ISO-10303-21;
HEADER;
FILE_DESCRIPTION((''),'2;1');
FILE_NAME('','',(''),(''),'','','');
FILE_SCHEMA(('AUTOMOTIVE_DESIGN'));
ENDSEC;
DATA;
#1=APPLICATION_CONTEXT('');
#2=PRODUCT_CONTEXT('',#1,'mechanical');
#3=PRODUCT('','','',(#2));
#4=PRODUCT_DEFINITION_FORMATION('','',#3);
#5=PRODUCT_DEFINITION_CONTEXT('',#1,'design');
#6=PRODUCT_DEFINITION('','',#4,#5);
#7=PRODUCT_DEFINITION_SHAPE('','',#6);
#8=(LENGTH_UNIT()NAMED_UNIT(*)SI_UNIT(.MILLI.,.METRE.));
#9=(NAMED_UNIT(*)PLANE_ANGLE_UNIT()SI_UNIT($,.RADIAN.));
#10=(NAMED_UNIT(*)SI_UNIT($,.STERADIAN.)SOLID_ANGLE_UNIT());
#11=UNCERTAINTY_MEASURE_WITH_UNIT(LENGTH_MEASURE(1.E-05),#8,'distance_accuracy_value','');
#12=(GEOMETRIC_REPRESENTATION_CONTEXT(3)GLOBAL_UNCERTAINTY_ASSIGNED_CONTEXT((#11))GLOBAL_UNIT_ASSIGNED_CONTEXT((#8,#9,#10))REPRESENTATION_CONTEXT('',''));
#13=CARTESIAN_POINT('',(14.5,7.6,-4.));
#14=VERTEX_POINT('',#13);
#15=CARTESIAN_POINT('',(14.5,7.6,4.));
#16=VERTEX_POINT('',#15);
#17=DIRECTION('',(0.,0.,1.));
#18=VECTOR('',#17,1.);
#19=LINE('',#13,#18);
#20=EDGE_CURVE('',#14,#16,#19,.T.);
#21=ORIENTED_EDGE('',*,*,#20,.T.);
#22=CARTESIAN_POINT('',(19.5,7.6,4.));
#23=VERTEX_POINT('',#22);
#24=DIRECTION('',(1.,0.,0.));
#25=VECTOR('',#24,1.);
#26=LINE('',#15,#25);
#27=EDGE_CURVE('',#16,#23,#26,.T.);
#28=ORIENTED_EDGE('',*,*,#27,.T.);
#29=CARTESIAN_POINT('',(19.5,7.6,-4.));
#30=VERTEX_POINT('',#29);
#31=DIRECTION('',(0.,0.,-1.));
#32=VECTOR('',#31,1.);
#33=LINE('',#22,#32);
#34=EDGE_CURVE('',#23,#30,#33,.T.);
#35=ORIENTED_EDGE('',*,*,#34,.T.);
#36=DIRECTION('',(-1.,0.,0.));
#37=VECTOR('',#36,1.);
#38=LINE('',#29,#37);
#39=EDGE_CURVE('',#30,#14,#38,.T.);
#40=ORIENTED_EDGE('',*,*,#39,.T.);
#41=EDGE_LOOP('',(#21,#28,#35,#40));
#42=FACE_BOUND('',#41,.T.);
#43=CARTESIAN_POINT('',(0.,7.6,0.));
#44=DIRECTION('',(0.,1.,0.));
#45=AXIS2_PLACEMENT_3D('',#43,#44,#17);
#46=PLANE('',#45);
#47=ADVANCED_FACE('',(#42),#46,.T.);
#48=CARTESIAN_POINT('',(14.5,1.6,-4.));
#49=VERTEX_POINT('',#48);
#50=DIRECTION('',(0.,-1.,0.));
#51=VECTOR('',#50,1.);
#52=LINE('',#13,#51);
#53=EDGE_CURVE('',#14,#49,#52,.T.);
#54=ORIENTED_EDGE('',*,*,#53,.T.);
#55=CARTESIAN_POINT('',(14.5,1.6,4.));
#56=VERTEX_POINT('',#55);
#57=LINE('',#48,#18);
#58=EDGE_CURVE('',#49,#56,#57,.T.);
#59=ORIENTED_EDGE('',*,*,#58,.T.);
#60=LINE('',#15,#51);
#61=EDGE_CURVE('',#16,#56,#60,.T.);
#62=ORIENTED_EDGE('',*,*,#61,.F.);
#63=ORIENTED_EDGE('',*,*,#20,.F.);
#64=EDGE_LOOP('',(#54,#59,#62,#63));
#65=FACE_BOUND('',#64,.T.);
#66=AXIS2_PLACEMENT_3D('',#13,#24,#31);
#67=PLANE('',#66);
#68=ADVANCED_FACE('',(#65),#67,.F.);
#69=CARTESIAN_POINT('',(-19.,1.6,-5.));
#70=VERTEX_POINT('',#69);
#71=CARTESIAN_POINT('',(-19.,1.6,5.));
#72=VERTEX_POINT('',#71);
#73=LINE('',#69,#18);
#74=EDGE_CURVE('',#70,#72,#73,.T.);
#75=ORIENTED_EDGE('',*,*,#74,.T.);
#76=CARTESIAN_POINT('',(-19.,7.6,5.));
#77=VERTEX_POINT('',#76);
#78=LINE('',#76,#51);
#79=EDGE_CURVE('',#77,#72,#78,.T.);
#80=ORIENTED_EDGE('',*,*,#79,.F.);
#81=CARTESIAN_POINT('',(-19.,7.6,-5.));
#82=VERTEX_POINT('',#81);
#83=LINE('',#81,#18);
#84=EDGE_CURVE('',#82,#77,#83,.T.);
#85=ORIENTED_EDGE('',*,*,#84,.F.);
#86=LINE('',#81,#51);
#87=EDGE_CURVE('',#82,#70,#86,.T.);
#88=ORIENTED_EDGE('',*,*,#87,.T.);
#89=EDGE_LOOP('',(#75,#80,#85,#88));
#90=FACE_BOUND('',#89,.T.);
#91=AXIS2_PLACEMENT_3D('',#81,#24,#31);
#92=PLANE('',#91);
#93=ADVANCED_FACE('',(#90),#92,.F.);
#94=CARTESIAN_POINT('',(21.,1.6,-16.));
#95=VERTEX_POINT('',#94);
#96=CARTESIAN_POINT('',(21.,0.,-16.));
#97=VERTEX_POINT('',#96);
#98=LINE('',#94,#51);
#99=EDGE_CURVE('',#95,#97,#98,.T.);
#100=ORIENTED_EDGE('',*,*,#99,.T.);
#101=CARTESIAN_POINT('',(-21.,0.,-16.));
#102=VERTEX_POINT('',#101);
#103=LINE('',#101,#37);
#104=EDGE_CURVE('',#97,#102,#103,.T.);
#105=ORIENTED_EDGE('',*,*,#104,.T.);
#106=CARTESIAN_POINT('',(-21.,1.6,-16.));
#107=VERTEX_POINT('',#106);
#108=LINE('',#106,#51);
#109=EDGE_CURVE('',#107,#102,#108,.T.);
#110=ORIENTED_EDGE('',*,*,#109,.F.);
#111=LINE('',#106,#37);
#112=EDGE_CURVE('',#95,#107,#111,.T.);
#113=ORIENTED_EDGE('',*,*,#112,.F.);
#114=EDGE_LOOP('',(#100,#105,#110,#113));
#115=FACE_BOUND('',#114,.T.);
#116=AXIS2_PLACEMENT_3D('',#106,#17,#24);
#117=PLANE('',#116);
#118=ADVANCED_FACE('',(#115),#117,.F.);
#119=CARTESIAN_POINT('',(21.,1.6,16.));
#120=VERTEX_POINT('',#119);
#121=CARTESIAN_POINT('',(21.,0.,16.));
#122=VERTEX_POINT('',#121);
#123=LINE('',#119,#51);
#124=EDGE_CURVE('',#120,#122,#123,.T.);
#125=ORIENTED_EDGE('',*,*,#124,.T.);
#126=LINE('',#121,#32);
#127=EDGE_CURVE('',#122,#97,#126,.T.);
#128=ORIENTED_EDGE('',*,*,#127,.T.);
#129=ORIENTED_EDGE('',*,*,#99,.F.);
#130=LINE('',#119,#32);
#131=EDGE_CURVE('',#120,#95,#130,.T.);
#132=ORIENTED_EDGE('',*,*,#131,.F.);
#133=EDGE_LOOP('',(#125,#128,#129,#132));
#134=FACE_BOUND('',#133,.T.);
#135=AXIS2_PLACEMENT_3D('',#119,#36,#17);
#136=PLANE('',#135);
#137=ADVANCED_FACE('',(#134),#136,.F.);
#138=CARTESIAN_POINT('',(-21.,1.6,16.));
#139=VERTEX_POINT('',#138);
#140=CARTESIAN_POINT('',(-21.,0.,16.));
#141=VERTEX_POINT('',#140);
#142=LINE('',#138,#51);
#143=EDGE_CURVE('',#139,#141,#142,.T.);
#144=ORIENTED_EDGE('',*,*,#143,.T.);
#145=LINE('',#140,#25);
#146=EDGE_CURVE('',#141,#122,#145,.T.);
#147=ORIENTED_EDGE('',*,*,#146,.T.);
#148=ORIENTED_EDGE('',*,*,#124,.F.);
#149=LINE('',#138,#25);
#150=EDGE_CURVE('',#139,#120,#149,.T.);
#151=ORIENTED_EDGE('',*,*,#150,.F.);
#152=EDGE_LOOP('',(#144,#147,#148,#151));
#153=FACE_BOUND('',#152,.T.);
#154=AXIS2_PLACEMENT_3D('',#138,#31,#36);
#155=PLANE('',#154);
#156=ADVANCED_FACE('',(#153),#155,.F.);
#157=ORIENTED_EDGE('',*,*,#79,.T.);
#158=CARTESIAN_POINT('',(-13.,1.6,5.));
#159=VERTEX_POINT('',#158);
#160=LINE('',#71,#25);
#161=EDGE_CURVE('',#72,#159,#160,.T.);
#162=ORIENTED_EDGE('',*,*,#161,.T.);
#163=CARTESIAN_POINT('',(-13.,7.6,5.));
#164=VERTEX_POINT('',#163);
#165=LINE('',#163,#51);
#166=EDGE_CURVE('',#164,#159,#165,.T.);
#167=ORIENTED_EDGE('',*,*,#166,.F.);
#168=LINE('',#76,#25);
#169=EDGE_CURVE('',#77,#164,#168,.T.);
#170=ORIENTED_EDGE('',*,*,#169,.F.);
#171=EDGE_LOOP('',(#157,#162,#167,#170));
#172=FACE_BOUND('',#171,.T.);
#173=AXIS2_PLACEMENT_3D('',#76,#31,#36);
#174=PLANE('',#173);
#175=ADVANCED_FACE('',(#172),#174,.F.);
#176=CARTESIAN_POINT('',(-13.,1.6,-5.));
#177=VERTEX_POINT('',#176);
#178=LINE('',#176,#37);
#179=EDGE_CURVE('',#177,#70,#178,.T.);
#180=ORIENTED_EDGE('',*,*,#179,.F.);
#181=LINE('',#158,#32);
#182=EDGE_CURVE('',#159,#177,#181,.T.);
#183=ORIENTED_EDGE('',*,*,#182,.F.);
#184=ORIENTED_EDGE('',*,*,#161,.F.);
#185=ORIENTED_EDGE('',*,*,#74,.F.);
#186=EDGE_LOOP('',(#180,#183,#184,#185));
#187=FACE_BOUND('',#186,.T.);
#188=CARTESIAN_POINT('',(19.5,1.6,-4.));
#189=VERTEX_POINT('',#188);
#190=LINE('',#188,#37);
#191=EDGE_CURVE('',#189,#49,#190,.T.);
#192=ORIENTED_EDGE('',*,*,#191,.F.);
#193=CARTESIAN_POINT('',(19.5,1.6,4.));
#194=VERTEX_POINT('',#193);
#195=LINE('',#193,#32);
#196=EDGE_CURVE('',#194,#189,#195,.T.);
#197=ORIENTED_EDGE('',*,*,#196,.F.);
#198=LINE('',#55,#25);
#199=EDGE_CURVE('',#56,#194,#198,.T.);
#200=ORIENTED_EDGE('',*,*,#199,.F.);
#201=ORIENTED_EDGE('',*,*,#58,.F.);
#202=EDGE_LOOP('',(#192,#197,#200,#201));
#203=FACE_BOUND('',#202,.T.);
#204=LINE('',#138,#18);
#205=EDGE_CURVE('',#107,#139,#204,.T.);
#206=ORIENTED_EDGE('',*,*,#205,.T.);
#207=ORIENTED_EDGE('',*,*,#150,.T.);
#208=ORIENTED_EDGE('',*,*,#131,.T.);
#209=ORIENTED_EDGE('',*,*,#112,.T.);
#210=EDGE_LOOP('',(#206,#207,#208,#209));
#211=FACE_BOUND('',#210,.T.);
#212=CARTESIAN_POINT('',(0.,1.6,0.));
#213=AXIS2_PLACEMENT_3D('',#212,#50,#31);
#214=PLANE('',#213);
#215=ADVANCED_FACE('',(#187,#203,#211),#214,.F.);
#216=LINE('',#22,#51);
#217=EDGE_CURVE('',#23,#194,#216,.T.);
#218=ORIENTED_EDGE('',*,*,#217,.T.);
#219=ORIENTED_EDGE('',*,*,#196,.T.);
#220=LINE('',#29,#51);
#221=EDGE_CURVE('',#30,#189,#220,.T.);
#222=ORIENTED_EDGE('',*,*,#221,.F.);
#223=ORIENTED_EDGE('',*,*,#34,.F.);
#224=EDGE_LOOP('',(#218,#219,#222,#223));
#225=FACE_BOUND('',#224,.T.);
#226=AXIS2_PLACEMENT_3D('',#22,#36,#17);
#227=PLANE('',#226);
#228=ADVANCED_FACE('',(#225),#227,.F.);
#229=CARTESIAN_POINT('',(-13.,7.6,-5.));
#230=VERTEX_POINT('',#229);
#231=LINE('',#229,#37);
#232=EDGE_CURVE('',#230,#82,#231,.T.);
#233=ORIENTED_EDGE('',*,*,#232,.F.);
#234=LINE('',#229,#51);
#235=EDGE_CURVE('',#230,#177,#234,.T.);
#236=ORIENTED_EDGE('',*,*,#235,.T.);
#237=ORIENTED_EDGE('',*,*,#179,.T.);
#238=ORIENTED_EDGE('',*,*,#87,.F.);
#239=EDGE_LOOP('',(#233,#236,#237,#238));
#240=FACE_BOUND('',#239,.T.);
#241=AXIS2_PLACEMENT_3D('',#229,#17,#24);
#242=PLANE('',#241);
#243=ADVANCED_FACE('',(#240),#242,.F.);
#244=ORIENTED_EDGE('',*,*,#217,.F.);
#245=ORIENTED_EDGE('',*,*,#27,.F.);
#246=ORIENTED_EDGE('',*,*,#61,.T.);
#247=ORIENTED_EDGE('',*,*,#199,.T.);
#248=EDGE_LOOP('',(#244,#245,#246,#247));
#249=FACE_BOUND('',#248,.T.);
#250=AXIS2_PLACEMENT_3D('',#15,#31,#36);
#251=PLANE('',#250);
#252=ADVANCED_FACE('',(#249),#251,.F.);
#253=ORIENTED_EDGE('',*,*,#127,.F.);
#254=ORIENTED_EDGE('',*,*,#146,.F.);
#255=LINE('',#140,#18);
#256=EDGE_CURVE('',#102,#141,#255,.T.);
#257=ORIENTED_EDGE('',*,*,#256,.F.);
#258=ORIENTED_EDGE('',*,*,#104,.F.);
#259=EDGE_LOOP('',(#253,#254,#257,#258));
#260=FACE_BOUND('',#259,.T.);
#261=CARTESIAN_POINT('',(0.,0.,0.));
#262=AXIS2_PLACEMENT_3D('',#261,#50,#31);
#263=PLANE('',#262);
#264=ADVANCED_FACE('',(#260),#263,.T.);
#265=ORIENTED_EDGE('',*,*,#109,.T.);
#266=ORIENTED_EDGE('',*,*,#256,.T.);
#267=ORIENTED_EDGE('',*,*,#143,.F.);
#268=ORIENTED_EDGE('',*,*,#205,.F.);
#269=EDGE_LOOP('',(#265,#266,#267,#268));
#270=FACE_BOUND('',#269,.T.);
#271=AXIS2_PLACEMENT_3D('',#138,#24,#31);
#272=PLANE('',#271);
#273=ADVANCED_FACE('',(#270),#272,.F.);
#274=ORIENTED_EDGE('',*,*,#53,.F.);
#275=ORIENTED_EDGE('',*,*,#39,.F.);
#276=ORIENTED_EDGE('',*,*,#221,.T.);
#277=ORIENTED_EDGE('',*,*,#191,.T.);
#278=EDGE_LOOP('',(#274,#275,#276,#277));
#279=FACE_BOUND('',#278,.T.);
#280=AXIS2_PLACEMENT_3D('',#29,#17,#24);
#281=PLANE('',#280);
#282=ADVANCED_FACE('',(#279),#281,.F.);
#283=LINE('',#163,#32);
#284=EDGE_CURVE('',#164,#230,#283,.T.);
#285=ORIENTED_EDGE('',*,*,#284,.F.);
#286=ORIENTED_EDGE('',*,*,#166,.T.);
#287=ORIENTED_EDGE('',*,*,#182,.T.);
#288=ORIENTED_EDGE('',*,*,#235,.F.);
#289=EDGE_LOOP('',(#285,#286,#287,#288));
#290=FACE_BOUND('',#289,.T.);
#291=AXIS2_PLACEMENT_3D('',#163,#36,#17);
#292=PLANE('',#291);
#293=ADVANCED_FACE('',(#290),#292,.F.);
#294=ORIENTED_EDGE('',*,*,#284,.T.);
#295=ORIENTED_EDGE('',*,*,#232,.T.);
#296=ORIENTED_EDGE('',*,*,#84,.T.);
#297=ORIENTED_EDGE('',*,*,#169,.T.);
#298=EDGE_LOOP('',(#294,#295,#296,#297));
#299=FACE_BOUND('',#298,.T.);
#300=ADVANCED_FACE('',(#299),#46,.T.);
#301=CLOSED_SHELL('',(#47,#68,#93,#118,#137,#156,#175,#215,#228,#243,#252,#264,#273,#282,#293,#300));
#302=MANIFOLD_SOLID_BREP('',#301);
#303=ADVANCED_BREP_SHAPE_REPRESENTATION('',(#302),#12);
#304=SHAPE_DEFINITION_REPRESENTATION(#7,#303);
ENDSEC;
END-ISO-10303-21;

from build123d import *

# Parameters (mm, degrees)
SKETCH1_W             = 42
SKETCH1_H             = 32
BOARD_DEPTH           = 1.6
PROBE_CONNECTOR_START = 1.6
SKETCH2_W             = 6
SKETCH2_H             = 10
PROBE_CONNECTOR_DEPTH = 6
SIGNAL_HEADER_START   = 1.6
SKETCH3_W             = 5
SKETCH3_H             = 8
SIGNAL_HEADER_DEPTH   = 6


with BuildPart() as part:
    # Sketch1 → Board (new body)
    with BuildSketch(Plane(origin=(0, 0, 0), x_dir=(1, 0, 0), z_dir=(0, 1, 0))):
        Rectangle(SKETCH1_W, SKETCH1_H)
    extrude(amount=BOARD_DEPTH)

    # Sketch2 → Probe_Connector (add)
    with BuildSketch(Plane(origin=(0, 0, 0), x_dir=(1, 0, 0), z_dir=(0, 1, 0)).offset(PROBE_CONNECTOR_START)):
        with Locations((-16, 0)):
            Rectangle(SKETCH2_W, SKETCH2_H)
    extrude(amount=PROBE_CONNECTOR_DEPTH)

    # Sketch3 → Signal_Header (add)
    with BuildSketch(Plane(origin=(0, 0, 0), x_dir=(1, 0, 0), z_dir=(0, 1, 0)).offset(SIGNAL_HEADER_START)):
        with Locations((17, 0)):
            Rectangle(SKETCH3_W, SKETCH3_H)
    extrude(amount=SIGNAL_HEADER_DEPTH)


solid = part.part
